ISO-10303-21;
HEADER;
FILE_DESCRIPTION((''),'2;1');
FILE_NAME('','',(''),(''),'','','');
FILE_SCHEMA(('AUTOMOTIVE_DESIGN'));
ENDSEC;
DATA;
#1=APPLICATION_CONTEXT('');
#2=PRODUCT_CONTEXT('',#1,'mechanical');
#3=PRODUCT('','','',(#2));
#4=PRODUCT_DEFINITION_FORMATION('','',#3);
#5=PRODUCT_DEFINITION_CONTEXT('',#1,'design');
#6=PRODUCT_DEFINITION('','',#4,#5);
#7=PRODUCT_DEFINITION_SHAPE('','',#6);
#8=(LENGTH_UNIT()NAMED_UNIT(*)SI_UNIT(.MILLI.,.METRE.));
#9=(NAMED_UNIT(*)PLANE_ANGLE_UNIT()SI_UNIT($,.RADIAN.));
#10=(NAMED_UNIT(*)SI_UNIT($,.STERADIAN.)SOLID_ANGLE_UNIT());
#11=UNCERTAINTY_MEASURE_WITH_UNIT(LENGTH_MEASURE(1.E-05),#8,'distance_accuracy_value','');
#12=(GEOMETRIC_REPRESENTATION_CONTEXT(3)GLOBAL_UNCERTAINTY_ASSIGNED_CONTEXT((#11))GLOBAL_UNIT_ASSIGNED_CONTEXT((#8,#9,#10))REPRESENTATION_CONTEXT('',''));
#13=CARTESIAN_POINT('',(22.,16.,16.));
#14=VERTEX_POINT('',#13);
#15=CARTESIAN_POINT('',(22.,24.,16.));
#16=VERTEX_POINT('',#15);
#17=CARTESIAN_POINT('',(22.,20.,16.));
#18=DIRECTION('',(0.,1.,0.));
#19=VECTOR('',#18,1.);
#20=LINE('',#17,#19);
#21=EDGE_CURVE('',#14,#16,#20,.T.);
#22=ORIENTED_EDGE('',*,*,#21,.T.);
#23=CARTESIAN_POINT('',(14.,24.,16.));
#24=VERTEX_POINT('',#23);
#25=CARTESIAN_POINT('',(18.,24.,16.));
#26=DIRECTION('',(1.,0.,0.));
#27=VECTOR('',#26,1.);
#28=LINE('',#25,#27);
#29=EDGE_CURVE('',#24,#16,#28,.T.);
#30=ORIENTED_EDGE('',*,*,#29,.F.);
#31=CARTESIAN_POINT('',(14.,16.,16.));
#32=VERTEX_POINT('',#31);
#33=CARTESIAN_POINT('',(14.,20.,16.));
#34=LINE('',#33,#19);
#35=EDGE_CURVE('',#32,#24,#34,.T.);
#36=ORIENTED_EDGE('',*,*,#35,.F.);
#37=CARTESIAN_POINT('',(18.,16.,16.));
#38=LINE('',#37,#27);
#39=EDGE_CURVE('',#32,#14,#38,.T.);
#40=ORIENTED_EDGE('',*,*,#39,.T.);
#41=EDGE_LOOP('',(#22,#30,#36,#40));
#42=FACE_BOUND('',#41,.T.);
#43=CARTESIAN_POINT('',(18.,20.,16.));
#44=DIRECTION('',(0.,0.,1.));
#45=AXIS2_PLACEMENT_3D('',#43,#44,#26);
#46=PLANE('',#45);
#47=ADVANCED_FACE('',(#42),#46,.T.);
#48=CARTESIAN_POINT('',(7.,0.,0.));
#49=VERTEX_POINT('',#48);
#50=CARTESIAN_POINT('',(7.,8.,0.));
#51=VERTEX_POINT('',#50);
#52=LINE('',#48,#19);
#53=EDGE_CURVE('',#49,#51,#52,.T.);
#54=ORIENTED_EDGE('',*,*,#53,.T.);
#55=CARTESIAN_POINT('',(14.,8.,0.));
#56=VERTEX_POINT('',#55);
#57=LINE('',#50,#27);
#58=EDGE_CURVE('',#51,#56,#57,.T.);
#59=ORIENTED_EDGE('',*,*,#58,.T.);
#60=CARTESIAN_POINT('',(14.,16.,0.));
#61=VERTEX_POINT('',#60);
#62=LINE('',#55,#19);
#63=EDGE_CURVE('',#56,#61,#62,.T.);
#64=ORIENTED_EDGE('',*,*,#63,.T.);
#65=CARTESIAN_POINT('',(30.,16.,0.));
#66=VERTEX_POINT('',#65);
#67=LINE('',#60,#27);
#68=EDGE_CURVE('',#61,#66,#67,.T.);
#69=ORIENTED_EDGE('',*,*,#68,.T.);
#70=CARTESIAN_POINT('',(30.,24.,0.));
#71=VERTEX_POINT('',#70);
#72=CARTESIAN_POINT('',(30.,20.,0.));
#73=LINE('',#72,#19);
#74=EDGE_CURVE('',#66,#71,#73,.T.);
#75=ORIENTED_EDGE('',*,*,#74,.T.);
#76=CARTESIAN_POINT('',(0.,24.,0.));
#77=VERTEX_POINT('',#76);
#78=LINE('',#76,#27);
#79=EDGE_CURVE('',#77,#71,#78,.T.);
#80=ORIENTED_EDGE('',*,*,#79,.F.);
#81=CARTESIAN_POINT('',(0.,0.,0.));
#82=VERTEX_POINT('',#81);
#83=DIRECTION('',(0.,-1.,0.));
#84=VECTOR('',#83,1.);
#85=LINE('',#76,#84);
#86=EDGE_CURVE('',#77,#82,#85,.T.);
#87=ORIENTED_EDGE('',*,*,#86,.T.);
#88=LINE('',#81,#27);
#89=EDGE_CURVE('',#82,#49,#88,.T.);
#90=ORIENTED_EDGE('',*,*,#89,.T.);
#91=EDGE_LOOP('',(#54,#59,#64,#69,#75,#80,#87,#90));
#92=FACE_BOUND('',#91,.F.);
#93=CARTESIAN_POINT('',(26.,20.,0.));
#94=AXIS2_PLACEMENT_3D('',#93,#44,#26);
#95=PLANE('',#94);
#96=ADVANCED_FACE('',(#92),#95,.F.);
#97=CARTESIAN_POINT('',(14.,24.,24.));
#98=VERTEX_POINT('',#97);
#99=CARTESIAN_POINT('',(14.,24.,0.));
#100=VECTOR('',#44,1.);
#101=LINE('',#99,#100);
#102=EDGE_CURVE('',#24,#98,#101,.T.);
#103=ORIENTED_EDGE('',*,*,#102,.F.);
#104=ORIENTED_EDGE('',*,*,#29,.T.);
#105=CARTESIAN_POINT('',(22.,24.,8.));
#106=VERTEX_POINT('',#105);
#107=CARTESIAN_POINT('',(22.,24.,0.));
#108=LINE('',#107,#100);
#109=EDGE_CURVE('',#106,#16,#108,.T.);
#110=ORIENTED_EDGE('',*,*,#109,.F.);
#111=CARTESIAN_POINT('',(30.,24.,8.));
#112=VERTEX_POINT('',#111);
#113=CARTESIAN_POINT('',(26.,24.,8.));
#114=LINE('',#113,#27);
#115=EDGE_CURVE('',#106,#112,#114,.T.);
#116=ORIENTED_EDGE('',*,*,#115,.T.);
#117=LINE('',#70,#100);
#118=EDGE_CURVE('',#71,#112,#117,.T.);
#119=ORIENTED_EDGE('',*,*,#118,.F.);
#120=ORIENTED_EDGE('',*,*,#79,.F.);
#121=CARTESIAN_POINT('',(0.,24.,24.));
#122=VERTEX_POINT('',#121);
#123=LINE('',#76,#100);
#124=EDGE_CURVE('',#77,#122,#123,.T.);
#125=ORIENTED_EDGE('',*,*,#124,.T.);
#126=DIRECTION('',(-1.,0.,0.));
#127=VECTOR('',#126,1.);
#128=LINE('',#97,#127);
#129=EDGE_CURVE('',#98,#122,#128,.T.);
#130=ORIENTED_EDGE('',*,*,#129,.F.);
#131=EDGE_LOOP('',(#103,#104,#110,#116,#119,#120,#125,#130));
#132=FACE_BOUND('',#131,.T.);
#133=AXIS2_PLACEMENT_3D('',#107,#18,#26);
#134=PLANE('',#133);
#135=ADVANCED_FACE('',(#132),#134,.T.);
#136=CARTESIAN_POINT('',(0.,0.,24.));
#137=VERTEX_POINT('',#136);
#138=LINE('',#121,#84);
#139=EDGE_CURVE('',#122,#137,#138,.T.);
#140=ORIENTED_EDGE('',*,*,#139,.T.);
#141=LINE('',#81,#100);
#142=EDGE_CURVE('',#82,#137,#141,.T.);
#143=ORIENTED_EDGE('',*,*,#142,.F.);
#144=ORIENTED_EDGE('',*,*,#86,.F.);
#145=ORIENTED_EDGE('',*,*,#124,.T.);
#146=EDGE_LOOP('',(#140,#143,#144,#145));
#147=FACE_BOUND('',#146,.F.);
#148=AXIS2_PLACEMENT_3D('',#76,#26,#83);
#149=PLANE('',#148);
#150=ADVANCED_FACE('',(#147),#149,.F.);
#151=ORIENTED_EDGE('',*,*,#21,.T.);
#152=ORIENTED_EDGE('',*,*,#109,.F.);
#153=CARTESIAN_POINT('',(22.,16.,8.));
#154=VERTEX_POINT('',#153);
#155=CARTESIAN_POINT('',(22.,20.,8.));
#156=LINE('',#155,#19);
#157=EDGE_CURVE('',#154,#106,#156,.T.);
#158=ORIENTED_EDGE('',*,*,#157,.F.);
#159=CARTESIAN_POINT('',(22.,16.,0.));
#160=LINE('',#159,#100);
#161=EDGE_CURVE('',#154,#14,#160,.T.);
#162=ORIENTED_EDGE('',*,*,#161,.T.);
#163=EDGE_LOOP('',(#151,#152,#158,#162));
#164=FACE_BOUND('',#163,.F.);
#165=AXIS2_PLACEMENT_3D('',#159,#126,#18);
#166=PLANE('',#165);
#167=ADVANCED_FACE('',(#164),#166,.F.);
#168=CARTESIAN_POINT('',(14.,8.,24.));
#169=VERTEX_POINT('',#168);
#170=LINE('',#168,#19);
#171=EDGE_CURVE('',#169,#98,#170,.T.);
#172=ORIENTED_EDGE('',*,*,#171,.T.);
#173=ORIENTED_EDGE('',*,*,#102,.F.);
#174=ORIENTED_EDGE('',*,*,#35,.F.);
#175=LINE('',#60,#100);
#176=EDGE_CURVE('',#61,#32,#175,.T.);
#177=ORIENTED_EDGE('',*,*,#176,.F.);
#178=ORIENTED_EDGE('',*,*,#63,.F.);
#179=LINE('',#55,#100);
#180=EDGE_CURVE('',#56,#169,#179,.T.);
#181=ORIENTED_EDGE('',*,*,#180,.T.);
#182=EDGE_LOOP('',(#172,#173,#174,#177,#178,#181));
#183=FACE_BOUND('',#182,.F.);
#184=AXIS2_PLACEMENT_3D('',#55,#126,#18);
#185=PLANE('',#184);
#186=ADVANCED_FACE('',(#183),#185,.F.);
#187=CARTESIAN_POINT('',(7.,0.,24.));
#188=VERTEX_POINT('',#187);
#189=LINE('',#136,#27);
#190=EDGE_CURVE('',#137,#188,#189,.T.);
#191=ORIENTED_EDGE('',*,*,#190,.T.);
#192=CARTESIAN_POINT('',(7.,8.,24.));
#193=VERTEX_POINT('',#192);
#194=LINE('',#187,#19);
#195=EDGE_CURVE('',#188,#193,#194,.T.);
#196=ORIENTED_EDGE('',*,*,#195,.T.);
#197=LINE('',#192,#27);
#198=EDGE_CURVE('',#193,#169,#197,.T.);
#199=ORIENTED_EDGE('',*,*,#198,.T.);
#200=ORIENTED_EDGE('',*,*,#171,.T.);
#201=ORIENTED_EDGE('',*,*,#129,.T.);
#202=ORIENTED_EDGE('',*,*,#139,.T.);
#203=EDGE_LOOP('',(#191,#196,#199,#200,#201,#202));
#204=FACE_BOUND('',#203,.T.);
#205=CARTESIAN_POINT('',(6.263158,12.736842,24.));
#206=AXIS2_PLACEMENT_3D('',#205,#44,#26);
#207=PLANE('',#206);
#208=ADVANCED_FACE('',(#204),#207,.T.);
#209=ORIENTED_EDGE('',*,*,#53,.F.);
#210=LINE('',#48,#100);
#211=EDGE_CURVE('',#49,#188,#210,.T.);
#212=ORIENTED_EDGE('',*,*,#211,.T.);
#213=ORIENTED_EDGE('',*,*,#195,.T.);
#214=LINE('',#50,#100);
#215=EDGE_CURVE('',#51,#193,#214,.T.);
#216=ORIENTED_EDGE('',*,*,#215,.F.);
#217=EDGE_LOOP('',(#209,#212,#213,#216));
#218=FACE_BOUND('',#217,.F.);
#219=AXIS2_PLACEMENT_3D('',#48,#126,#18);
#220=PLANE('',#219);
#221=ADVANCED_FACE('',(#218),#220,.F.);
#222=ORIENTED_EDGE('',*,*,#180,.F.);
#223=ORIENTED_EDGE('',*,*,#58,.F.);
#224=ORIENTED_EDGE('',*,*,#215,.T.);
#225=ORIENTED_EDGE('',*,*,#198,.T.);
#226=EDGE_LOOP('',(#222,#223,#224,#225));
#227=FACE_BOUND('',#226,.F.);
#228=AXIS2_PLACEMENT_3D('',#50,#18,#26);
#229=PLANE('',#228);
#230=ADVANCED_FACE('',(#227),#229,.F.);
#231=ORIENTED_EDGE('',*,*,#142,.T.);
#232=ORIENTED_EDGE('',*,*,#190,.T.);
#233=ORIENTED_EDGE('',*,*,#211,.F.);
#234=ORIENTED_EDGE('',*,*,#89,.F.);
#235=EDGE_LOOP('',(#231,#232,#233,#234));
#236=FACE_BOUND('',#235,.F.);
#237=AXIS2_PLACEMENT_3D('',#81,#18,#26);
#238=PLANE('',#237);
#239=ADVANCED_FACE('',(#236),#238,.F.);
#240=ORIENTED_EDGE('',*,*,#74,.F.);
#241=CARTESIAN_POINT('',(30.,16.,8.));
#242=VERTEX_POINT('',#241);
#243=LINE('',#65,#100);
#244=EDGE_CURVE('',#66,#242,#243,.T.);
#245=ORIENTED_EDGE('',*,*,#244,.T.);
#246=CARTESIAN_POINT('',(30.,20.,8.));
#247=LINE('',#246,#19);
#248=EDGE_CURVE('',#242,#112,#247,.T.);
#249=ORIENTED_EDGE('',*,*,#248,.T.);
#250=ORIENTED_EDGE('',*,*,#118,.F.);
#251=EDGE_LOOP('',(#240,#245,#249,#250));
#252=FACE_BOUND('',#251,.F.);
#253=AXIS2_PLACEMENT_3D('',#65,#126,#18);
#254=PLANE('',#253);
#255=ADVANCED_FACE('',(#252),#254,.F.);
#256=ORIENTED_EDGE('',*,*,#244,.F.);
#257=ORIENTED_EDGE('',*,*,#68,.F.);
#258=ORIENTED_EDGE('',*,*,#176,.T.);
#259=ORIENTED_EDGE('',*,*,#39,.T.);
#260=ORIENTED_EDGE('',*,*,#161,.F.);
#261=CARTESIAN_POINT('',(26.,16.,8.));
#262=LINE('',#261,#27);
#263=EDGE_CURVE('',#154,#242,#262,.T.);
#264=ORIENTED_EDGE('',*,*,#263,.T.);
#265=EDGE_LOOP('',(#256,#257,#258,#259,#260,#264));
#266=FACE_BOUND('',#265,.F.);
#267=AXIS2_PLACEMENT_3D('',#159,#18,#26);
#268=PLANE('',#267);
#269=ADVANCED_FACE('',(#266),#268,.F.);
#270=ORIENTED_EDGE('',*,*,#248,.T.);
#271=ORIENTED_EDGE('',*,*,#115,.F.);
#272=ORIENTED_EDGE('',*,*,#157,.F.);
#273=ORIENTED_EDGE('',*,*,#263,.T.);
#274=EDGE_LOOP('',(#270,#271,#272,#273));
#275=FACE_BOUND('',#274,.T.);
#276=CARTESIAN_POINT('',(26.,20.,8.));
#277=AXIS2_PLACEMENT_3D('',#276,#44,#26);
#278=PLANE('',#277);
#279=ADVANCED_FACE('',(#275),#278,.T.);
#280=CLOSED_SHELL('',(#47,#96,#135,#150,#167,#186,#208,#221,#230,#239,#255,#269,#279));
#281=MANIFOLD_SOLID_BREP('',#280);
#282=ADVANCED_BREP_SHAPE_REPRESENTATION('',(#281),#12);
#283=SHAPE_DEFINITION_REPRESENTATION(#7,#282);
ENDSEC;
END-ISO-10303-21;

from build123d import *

# Parameters (mm, degrees)
F1_DEPTH = 24
F0_W     = 8
F0_H     = 8
F2_DEPTH = 16
F3_DEPTH = 8


with BuildPart() as f1:
    # F0 (on Top) → F1 (new body)
    with BuildSketch(Plane.XY):
        Polygon((0, 24), (0, 0), (7, 0), (7, 8), (14, 8), (14, 16), (14, 24), align=None)
    extrude(amount=F1_DEPTH)

    # F0 (on Top) → F2 (join)
    with BuildSketch(Plane.XY):
        with Locations((18, 20)):
            Rectangle(F0_W, F0_H)
    extrude(amount=F2_DEPTH)

    # F0 (on Top) → F3 (join)
    with BuildSketch(Plane.XY):
        with Locations((26, 20)):
            Rectangle(F0_W, F0_H)
    extrude(amount=F3_DEPTH)


solid = f1.part
